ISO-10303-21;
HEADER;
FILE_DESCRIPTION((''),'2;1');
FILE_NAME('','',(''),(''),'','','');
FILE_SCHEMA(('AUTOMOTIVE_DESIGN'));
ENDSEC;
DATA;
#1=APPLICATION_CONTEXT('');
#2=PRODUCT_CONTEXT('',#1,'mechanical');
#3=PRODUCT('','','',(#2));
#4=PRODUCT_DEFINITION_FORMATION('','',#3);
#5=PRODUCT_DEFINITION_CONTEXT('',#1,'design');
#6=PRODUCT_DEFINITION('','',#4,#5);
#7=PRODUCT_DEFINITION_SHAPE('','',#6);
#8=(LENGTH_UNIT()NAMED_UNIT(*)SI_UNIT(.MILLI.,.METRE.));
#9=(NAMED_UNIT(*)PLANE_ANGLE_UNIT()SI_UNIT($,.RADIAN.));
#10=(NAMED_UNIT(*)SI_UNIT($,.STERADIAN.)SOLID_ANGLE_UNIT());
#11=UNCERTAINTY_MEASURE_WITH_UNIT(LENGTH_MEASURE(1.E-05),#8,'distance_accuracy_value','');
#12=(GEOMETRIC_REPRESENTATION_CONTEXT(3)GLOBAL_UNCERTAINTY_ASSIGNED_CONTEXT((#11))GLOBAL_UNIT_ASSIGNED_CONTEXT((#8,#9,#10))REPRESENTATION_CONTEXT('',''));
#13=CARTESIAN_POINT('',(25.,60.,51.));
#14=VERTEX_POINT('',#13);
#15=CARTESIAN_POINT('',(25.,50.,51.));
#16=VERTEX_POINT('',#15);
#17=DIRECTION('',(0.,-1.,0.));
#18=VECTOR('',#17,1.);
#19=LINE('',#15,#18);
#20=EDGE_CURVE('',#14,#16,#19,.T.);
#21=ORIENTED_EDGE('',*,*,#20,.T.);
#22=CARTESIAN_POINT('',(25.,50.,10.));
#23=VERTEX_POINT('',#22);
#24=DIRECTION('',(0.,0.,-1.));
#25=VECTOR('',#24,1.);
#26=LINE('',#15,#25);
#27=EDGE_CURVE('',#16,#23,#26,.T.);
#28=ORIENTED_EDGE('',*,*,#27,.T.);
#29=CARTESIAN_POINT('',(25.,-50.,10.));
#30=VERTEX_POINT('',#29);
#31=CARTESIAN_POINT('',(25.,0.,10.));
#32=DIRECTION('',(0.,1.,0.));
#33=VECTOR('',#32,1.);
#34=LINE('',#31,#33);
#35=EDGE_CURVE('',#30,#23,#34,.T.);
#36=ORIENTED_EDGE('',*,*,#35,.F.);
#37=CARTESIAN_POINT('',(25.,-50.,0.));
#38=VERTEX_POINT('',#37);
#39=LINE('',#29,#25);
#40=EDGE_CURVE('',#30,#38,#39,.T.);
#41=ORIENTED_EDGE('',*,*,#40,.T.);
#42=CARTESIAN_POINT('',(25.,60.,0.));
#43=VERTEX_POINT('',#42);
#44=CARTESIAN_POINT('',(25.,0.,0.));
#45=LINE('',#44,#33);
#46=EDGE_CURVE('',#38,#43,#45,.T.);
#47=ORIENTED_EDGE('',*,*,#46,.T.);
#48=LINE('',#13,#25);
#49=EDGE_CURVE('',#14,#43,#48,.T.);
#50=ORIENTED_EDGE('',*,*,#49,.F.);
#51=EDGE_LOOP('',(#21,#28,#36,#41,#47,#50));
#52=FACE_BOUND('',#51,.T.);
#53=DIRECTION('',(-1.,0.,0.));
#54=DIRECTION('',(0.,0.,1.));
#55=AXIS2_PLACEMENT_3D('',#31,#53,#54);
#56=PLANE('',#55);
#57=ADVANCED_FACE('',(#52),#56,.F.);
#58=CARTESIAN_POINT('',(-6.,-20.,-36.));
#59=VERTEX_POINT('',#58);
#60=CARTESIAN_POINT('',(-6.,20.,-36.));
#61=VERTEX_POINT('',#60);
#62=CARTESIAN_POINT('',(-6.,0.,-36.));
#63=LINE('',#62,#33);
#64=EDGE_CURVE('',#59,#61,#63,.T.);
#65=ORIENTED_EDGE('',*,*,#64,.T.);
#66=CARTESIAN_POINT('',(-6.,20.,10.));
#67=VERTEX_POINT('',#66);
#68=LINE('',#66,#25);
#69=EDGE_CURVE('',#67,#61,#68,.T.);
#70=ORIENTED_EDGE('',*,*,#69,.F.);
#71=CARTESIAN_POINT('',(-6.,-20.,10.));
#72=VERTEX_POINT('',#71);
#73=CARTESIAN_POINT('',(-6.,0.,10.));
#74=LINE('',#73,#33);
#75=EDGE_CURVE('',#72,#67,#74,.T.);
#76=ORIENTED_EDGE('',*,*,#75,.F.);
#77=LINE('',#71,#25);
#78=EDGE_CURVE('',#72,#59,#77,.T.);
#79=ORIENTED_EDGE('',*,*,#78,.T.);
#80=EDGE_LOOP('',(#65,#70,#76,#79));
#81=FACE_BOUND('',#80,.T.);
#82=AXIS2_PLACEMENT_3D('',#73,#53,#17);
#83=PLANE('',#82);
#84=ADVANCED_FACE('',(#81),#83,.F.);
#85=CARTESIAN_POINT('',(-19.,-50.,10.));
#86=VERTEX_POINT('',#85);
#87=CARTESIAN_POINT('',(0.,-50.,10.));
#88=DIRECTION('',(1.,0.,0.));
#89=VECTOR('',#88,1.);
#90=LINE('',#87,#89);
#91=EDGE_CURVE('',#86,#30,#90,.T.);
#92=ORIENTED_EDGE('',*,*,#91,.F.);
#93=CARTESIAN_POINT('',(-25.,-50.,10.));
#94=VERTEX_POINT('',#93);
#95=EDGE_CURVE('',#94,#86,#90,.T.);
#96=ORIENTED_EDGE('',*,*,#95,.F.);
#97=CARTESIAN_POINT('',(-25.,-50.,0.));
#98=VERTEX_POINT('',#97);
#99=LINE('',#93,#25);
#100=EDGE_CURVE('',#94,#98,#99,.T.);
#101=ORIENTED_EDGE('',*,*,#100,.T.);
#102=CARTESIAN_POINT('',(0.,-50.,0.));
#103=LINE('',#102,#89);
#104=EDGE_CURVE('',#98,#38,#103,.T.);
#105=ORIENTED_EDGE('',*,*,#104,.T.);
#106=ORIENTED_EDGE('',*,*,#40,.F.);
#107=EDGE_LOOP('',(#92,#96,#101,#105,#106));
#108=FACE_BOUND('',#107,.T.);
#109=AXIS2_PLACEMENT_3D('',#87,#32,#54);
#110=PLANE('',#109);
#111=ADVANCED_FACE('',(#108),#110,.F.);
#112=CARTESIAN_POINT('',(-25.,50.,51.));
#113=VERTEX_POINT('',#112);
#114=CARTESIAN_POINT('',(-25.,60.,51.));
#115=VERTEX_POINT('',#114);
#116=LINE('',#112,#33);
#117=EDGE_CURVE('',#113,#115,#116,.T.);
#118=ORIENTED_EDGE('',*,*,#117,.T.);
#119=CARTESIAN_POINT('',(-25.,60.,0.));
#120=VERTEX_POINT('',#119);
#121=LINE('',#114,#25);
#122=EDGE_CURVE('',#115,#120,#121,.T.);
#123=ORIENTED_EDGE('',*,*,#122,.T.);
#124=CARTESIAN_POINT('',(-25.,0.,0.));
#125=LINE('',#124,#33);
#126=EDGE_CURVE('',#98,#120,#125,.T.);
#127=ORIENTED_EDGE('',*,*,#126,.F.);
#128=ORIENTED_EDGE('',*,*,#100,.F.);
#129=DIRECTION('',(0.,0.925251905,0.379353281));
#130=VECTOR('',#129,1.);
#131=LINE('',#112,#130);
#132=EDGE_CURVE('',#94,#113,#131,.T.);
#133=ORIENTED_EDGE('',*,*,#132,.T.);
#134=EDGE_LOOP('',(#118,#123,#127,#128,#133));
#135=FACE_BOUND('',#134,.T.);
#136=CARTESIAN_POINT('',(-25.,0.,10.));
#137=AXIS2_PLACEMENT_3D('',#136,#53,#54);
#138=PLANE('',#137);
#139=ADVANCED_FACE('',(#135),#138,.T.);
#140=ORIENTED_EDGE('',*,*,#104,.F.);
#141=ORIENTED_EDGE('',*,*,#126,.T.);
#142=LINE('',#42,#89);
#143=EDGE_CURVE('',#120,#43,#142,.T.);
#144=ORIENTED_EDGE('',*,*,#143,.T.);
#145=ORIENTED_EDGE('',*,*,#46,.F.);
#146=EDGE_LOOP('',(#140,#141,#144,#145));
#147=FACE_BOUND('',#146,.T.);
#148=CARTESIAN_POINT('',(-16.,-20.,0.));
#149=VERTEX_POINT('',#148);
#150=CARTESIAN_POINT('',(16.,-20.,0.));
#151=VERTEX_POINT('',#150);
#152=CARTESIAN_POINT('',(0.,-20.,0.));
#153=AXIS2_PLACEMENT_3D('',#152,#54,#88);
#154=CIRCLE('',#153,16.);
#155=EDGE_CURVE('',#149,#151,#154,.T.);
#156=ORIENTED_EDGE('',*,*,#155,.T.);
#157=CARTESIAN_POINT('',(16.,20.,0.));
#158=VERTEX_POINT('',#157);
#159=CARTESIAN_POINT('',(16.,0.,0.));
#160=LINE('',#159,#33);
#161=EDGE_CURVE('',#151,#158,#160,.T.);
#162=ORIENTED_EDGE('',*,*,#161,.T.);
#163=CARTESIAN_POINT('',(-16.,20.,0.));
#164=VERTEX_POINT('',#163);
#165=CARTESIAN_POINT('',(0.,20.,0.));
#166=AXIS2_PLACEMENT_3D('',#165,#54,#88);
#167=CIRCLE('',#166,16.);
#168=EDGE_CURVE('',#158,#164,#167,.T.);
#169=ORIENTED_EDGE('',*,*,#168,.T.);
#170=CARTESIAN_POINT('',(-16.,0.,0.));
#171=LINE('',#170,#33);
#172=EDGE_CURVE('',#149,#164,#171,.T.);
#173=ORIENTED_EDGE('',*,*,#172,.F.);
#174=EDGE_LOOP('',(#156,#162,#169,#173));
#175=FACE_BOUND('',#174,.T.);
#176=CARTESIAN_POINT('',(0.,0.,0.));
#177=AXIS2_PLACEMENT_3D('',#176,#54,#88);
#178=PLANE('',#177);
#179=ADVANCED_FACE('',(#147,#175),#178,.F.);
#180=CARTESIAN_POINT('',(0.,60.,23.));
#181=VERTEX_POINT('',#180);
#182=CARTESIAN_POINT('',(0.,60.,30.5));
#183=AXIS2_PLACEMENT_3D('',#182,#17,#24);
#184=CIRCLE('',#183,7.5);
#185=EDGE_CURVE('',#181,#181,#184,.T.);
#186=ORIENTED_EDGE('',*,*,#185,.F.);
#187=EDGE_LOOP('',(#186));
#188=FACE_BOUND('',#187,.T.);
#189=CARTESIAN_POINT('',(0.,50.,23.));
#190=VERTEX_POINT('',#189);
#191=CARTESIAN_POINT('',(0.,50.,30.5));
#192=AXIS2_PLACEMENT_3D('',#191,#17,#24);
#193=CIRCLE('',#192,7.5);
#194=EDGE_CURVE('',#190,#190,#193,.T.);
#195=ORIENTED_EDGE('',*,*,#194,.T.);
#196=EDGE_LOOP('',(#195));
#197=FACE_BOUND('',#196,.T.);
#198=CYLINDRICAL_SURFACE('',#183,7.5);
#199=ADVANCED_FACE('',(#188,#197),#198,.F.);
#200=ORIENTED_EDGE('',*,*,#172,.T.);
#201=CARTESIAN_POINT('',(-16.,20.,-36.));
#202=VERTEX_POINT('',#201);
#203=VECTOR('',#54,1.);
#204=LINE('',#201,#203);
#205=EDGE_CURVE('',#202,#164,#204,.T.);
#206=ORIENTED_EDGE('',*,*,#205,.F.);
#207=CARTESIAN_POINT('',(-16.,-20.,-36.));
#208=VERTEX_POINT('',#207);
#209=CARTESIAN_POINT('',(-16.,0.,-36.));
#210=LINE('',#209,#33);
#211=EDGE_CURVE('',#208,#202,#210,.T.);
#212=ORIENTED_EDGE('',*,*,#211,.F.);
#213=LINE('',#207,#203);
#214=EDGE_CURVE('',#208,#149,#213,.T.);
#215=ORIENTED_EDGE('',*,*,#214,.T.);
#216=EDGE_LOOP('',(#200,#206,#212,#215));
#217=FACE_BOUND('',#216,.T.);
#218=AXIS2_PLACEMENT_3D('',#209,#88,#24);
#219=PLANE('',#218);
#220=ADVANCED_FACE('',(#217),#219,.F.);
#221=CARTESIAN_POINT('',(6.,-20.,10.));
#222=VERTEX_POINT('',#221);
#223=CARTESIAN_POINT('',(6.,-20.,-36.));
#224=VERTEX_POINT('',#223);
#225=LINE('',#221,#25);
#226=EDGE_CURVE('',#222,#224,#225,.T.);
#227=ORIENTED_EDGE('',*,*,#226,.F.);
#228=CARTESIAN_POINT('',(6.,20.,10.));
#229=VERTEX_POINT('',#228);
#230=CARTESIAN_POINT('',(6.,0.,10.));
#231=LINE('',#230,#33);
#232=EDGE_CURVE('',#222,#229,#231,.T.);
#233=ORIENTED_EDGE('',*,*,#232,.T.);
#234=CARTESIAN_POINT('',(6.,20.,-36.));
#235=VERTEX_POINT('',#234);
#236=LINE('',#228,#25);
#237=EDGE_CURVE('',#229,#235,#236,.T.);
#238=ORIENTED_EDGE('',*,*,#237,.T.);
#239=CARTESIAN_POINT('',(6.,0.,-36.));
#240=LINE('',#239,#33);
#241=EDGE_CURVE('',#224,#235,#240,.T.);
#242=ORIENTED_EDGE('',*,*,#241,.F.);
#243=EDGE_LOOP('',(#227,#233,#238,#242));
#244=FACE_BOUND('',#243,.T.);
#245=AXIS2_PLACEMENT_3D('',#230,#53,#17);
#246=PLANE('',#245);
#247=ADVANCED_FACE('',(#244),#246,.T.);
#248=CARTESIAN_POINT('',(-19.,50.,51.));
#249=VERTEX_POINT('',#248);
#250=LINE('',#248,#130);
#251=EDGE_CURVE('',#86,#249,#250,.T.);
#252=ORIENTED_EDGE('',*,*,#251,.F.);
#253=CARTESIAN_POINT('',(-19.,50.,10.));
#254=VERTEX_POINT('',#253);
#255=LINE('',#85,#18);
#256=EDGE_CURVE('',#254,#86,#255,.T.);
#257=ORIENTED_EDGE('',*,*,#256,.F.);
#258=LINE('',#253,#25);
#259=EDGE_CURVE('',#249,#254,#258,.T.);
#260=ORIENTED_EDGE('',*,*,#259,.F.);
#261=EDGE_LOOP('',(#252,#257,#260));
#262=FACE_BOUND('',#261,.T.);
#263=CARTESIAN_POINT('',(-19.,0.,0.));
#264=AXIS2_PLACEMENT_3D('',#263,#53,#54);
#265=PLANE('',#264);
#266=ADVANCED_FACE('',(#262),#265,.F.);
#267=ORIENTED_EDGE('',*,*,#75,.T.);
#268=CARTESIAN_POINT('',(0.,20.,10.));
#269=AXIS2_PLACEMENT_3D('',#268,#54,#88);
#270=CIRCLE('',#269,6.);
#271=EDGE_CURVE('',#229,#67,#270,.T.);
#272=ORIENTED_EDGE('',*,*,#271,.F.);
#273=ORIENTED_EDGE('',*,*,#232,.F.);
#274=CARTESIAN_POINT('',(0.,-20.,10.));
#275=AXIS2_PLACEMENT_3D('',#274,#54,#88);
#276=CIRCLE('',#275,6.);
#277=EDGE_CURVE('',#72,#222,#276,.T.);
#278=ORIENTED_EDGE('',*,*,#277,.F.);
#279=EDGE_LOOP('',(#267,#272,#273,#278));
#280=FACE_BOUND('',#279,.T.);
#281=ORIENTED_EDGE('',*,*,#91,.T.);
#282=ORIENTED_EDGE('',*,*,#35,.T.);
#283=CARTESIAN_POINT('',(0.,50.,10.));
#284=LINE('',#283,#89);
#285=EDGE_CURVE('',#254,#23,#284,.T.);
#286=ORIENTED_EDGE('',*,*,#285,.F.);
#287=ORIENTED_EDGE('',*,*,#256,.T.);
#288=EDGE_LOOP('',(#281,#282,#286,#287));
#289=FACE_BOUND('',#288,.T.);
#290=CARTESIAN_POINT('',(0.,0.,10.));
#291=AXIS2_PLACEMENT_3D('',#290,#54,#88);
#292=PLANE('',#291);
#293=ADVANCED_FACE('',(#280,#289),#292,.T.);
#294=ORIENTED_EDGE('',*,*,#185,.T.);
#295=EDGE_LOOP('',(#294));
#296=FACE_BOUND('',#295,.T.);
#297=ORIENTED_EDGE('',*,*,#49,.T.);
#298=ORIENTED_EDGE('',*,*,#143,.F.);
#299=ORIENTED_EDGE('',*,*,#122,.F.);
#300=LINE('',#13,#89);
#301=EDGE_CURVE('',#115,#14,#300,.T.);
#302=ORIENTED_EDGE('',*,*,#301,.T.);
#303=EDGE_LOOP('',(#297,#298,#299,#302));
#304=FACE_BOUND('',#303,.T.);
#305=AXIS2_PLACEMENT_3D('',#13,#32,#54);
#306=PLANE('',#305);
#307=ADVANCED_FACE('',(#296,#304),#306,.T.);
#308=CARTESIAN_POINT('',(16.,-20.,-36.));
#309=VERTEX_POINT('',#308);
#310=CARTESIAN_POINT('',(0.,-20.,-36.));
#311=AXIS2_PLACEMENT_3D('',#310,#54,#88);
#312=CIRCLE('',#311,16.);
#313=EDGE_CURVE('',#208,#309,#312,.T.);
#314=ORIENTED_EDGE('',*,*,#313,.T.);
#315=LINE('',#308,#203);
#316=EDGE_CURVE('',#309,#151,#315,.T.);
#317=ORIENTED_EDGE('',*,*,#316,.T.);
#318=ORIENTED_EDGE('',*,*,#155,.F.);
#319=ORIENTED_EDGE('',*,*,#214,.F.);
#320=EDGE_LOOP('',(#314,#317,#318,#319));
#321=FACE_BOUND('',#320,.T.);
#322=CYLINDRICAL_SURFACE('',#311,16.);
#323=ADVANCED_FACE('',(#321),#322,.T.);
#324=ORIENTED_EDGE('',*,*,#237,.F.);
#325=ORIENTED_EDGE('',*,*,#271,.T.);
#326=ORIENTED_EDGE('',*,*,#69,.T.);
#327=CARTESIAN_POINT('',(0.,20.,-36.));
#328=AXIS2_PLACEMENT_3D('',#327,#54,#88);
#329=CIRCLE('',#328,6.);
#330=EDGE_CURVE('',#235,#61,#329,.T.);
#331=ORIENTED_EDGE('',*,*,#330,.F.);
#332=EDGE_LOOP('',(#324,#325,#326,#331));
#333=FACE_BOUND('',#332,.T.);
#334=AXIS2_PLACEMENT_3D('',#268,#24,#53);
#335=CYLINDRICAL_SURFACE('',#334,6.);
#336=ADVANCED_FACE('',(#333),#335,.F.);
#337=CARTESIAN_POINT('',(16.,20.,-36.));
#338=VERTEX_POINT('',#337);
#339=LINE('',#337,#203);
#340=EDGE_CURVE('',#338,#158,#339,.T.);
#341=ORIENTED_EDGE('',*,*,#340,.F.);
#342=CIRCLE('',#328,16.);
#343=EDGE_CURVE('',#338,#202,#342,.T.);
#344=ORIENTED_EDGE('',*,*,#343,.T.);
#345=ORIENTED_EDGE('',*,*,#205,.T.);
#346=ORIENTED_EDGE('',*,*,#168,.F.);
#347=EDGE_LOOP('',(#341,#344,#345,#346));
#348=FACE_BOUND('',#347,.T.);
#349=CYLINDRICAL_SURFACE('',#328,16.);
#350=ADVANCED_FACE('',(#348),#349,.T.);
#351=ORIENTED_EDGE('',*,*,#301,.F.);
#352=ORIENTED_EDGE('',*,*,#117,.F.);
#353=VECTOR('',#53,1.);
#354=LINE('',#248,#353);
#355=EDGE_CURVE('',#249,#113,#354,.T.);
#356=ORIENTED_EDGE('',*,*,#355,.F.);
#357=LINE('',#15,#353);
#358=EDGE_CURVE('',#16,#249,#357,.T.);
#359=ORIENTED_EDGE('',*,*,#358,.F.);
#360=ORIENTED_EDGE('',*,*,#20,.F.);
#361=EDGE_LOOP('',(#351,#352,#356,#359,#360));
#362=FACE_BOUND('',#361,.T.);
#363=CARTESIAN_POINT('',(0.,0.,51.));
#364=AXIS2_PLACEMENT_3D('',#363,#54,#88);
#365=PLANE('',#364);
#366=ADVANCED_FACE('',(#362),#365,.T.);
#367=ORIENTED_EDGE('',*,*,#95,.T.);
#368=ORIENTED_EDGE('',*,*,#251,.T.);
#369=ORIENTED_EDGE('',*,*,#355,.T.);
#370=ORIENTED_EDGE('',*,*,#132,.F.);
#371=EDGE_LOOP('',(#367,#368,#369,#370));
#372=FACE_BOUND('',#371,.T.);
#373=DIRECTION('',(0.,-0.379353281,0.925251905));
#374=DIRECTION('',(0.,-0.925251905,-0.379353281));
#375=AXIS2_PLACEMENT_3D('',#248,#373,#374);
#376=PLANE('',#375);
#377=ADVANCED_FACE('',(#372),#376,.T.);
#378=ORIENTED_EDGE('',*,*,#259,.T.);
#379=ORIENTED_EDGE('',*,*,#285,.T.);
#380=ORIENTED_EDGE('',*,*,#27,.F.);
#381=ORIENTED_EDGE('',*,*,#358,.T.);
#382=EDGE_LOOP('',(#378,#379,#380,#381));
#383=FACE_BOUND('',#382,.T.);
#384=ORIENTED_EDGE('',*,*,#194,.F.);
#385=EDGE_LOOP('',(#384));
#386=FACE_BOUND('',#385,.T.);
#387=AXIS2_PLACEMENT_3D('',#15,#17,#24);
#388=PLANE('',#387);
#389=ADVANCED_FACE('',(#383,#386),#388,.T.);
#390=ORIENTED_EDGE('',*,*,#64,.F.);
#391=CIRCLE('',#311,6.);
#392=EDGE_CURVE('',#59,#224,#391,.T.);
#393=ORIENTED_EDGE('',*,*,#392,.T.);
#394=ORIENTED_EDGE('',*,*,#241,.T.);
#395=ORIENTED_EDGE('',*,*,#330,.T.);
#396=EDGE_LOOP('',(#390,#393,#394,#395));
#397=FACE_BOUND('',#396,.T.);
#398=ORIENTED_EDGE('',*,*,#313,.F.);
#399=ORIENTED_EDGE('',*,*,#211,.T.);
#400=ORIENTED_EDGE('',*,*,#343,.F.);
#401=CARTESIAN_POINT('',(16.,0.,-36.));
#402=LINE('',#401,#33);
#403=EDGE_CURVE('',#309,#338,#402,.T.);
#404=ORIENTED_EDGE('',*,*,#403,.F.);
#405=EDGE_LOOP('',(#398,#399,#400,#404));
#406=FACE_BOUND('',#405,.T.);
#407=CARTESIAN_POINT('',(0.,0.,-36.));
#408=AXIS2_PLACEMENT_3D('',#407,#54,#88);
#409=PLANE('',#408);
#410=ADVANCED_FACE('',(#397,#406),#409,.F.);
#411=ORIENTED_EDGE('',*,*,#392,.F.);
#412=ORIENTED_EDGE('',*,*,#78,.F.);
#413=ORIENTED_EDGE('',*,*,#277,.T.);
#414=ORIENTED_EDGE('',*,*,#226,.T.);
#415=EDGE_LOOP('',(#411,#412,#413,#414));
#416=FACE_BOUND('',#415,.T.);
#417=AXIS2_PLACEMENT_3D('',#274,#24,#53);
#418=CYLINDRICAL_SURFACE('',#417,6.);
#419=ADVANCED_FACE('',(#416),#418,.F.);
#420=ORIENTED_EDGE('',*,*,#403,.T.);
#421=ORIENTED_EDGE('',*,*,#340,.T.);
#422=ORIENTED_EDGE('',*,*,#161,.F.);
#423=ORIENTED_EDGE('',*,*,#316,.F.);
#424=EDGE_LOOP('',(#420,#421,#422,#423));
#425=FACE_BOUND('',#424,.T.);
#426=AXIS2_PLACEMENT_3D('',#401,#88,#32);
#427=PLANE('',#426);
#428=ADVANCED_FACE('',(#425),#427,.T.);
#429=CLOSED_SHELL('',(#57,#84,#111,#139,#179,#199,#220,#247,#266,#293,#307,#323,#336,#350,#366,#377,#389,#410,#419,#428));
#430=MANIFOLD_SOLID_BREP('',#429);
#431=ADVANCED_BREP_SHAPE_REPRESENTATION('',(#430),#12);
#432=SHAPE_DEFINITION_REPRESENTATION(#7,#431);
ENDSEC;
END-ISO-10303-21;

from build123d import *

# Parameters (mm, degrees)
SKETCH_1_W          = 50
SKETCH_1_H          = 100
EXTRUDE_1_DEPTH     = 10
EXTRUDE_START       = -36
EXTRUDE_2_DEPTH     = 36
SKETCH_2_W          = 50
SKETCH_2_H          = 10
EXTRUDE_3_DEPTH     = 51
SKETCH_3_R          = 7.5
CUT_EXTRUDE_1_DEPTH = 116.004347744
EXTRUDE_4_DEPTH     = 6


with BuildPart() as part:
    # Эскиз1 → Бобышка-Вытянуть1 (new body)
    with BuildSketch(Plane.XY):
        Rectangle(SKETCH_1_W, SKETCH_1_H)
        with BuildLine():
            ThreePointArc((6, -20), (0, -26), (-6, -20))
            Line((-6, -20), (-6, 20))
            ThreePointArc((-6, 20), (0, 26), (6, 20))
            Line((6, 20), (6, -20))
        make_face(mode=Mode.SUBTRACT)
    extrude(amount=EXTRUDE_1_DEPTH)

    # Эскиз1<3> → Бобышка-Вытянуть2 (add)
    with BuildSketch(Plane.XY.offset(EXTRUDE_START)):
        with BuildLine():
            Line((-16, 20), (-16, -20))
            ThreePointArc((-16, -20), (0, -36), (16, -20))
            Line((16, -20), (16, 20))
            ThreePointArc((16, 20), (0, 36), (-16, 20))
        make_face()
        with BuildLine():
            ThreePointArc((6, -20), (0, -26), (-6, -20))
            Line((-6, -20), (-6, 20))
            ThreePointArc((-6, 20), (0, 26), (6, 20))
            Line((6, 20), (6, -20))
        make_face(mode=Mode.SUBTRACT)
    extrude(amount=EXTRUDE_2_DEPTH)

    # Эскиз2 → Бобышка-Вытянуть3 (add)
    with BuildSketch(Plane(origin=(0, 0, 0), x_dir=(-1, 0, 0), z_dir=(0, 0, -1))):
        with Locations((0, 55)):
            Rectangle(SKETCH_2_W, SKETCH_2_H)
    extrude(amount=-EXTRUDE_3_DEPTH)

    # Эскиз3 → Вырез-Вытянуть1 (cut, through all)
    with BuildSketch(Plane.XZ.offset(-50)):
        with Locations((0, 30.5)):
            Circle(SKETCH_3_R)
    extrude(amount=-CUT_EXTRUDE_1_DEPTH, mode=Mode.SUBTRACT)

    # Эскиз4 → Бобышка-Вытянуть4 (add)
    with BuildSketch(Plane.ZY.offset(25)):
        Polygon((51, 50), (10, -50), (10, 50), align=None)
    extrude(amount=-EXTRUDE_4_DEPTH)


solid = part.part
